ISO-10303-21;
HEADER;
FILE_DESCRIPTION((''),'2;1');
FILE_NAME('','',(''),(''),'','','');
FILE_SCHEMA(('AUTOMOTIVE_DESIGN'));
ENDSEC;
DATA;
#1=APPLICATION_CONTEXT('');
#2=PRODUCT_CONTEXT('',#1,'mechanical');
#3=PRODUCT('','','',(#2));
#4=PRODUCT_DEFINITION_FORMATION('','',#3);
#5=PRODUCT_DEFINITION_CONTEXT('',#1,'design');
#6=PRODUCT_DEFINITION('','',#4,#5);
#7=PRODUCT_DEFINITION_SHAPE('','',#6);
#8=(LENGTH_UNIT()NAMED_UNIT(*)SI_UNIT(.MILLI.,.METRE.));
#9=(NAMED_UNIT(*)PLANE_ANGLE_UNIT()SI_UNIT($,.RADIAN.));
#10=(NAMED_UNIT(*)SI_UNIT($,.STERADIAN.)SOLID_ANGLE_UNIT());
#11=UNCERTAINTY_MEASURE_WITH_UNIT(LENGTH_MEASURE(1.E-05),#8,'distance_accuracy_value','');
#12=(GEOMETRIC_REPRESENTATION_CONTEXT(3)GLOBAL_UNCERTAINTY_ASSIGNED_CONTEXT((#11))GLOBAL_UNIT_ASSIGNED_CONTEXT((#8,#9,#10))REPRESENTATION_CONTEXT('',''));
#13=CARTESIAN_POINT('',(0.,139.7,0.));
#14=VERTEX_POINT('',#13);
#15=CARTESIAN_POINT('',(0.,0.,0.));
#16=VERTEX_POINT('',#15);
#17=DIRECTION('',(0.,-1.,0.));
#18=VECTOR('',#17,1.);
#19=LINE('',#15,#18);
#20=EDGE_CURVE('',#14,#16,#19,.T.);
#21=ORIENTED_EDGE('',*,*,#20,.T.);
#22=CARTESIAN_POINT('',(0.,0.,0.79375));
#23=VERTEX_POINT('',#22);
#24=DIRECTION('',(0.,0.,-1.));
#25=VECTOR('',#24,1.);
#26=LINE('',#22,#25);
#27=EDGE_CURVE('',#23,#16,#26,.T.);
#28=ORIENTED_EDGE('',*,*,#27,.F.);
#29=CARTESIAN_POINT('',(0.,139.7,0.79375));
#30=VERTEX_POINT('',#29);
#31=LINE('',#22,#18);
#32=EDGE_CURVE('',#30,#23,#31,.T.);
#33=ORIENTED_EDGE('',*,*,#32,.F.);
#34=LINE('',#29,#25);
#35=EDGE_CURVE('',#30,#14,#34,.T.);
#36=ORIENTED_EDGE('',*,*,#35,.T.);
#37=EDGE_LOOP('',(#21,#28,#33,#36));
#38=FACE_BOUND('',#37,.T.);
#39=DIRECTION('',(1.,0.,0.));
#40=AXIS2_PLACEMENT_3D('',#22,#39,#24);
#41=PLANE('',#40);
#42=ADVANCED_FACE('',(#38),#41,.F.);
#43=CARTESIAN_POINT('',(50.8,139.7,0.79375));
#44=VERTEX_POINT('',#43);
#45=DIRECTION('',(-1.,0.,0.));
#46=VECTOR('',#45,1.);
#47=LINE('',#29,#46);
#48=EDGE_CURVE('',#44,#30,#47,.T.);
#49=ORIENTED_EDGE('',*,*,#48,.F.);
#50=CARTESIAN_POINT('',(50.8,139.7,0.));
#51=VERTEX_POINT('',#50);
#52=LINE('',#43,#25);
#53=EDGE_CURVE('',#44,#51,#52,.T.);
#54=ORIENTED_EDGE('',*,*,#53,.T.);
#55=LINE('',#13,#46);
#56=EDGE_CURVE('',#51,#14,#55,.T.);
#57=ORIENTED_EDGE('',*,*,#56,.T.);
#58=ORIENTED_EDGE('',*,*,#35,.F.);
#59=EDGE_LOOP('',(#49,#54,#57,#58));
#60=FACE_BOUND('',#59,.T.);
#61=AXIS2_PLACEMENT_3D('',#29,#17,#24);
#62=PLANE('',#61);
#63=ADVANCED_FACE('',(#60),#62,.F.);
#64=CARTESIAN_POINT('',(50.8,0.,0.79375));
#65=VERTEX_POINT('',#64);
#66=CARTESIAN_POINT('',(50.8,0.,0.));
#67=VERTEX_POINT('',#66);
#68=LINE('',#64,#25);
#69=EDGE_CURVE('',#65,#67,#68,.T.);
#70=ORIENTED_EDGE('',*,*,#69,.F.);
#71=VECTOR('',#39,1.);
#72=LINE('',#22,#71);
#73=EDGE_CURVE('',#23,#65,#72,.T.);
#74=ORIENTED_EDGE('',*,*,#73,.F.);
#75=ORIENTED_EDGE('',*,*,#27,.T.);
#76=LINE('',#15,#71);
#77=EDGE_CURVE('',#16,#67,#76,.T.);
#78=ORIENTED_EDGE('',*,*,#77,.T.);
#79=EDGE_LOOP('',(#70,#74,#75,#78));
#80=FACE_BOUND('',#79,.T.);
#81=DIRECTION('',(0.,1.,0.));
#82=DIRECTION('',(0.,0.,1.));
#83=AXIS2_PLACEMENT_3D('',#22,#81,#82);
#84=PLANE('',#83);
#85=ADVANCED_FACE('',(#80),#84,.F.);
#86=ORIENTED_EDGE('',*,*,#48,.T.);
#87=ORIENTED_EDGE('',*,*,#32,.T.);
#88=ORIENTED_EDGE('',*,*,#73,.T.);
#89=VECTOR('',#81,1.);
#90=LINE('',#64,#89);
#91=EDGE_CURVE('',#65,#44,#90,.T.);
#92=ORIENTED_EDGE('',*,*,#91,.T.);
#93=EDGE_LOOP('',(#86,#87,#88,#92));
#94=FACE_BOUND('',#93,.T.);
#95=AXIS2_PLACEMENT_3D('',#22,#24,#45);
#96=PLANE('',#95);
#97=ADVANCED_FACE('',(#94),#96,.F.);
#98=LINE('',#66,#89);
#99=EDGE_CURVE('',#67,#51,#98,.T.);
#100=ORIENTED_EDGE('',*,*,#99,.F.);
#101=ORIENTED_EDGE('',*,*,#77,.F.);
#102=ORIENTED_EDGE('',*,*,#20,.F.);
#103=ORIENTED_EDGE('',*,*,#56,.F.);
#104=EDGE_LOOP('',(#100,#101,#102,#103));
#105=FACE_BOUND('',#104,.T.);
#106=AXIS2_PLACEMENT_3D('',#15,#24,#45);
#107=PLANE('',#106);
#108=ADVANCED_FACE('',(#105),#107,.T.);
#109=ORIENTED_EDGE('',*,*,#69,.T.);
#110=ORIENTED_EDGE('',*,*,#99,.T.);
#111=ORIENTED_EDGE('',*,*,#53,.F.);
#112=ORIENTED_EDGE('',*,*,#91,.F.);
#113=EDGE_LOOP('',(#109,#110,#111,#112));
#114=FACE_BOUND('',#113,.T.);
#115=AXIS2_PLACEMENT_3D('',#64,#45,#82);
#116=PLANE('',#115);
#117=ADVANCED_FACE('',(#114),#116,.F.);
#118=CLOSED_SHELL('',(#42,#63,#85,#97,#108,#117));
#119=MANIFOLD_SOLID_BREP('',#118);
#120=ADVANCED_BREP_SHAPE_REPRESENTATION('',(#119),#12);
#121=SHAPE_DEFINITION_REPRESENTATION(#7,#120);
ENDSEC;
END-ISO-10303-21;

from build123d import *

# Parameters (mm, degrees)
SKETCH1_W           = 50.8
SKETCH1_H           = 139.7
BOSS_EXTRUDE1_DEPTH = 0.79375


with BuildPart() as part:
    # Sketch1 → Boss-Extrude1 (new body)
    with BuildSketch(Plane.XY):
        with Locations((25.4, 69.85)):
            Rectangle(SKETCH1_W, SKETCH1_H)
    extrude(amount=BOSS_EXTRUDE1_DEPTH)


solid = part.part
